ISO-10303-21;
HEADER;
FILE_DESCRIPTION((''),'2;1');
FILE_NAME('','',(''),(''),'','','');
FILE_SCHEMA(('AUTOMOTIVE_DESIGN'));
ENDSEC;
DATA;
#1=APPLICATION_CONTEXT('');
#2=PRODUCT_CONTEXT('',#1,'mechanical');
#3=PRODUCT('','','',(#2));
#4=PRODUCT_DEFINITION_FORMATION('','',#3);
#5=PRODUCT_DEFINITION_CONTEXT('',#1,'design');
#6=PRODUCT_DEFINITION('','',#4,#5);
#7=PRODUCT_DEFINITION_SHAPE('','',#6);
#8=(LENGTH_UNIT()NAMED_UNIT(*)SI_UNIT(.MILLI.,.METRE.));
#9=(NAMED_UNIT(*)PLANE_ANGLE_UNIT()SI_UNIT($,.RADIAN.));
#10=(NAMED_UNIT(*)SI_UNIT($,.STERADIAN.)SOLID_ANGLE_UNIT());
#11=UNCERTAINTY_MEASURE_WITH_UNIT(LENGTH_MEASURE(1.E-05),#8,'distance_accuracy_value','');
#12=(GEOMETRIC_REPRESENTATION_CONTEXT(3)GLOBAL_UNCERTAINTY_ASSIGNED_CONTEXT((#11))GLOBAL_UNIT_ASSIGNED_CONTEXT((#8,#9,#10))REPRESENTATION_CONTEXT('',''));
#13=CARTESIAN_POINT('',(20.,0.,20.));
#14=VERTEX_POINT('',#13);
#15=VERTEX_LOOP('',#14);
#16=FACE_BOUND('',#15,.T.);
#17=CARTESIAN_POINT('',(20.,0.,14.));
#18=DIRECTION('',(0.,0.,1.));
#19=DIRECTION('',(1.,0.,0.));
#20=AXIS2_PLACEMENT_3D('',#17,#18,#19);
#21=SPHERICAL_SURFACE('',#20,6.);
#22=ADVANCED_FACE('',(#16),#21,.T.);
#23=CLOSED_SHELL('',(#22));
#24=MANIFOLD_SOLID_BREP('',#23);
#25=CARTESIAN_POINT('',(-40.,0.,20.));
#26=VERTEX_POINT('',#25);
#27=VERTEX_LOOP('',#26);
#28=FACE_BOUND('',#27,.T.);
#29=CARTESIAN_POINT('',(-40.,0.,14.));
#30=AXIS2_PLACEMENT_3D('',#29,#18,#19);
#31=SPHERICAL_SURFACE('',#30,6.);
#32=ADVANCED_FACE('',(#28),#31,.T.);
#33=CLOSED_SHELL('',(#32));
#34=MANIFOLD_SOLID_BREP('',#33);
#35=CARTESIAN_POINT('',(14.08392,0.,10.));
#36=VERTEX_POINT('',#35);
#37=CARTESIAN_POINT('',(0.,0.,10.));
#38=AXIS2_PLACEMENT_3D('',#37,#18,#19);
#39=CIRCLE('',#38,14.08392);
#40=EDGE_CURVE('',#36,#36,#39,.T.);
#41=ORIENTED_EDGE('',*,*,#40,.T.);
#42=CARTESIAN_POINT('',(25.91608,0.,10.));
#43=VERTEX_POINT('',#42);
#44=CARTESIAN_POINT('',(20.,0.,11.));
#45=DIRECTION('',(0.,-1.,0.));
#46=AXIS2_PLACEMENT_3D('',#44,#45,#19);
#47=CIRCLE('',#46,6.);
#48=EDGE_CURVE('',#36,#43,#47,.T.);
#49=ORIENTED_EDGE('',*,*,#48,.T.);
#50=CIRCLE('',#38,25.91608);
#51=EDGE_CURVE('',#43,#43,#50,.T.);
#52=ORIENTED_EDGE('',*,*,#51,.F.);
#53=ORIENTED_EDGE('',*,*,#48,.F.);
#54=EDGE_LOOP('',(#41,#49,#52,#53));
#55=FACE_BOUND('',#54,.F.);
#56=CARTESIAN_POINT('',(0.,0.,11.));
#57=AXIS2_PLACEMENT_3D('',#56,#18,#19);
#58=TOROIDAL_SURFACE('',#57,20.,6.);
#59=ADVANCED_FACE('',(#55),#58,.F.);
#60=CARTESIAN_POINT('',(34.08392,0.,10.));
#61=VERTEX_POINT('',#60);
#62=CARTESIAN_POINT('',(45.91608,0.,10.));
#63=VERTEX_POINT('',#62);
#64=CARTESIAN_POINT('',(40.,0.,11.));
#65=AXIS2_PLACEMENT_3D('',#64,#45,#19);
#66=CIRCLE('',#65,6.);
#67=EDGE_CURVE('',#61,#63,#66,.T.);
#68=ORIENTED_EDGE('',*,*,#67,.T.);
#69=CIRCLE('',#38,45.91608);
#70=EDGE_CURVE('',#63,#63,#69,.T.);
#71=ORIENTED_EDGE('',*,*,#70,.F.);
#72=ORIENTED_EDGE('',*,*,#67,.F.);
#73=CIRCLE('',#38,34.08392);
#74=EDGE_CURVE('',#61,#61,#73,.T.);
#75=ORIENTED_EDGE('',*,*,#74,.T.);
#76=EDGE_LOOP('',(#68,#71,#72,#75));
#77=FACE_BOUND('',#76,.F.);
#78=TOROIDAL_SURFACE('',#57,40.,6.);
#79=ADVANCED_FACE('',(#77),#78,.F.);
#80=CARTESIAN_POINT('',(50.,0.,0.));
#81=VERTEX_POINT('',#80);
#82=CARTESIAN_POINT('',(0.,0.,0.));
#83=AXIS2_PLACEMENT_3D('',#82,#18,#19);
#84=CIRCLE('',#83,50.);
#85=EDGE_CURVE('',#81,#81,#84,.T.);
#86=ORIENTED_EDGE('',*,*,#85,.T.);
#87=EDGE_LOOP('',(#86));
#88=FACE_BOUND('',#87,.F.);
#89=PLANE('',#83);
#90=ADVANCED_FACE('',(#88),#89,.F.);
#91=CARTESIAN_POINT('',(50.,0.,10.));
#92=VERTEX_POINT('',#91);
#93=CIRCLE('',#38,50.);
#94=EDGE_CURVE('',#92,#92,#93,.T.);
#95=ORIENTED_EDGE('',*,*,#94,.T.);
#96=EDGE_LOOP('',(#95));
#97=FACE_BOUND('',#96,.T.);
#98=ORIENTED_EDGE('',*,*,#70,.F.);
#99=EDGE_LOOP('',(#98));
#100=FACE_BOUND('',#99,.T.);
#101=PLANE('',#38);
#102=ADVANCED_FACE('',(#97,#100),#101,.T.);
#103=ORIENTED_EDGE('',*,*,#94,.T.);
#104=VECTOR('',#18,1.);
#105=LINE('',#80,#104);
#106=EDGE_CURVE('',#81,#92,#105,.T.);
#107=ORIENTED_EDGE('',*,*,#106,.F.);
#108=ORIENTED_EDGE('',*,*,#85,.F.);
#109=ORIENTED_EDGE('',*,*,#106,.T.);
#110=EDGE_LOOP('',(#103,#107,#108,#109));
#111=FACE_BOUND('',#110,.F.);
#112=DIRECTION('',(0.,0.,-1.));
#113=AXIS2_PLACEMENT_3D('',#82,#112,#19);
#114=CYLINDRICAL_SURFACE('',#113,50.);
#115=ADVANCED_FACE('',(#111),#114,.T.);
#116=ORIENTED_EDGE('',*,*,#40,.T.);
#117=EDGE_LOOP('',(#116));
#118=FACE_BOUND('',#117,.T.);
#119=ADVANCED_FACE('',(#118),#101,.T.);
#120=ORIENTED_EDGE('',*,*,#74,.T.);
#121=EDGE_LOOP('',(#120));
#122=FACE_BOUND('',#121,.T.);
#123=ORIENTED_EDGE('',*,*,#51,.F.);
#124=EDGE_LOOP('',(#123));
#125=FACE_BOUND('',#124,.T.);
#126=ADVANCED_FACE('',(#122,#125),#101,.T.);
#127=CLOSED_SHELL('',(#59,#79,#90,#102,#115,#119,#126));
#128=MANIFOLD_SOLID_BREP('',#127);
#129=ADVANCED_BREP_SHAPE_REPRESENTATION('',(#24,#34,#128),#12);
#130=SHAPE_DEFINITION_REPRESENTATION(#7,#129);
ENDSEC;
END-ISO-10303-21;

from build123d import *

# Parameters (mm, degrees)
TORUS001_R     = 6
TORUS_R        = 6
CYLINDER_R     = 50
CYLINDER_DEPTH = 10


with BuildPart() as torus001:
    # Torus001 → Torus001 (revolve)
    with BuildSketch(Plane(origin=(0, 0, 11), x_dir=(1, 0, 0), z_dir=(0, -1, 0))):
        with Locations((20, 0)):
            Circle(TORUS001_R)
    revolve(axis=Axis((0, 0, 11), (0, 0, 1)))


with BuildPart() as torus:
    # Torus → Torus (revolve)
    with BuildSketch(Plane(origin=(0, 0, 11), x_dir=(1, 0, 0), z_dir=(0, -1, 0))):
        with Locations((40, 0)):
            Circle(TORUS_R)
    revolve(axis=Axis((0, 0, 11), (0, 0, 1)))


with BuildPart() as cut001:
    # Cylinder → Cylinder (new body)
    with BuildSketch(Plane.XY):
        Circle(CYLINDER_R)
    extrude(amount=CYLINDER_DEPTH)

    # Cut: cut Torus
    add(torus.part, mode=Mode.SUBTRACT)

    # Cut001: cut Torus001
    add(torus001.part, mode=Mode.SUBTRACT)


with BuildPart() as sphere:
    # Sphere → Sphere (revolve)
    with BuildSketch(Plane(origin=(20, 0, 14), x_dir=(1, 0, 0), z_dir=(0, -1, 0))):
        with BuildLine():
            ThreePointArc((0, -6), (6, 0), (0, 6))
            Line((0, 6), (0, -6))
        make_face()
    revolve(axis=Axis((20, 0, 14), (0, 0, 1)))


with BuildPart() as sphere001:
    # Sphere001 → Sphere001 (revolve)
    with BuildSketch(Plane(origin=(-40, 0, 14), x_dir=(1, 0, 0), z_dir=(0, -1, 0))):
        with BuildLine():
            ThreePointArc((0, -6), (6, 0), (0, 6))
            Line((0, 6), (0, -6))
        make_face()
    revolve(axis=Axis((-40, 0, 14), (0, 0, 1)))


solid = Compound([cut001.part, sphere.part, sphere001.part])
